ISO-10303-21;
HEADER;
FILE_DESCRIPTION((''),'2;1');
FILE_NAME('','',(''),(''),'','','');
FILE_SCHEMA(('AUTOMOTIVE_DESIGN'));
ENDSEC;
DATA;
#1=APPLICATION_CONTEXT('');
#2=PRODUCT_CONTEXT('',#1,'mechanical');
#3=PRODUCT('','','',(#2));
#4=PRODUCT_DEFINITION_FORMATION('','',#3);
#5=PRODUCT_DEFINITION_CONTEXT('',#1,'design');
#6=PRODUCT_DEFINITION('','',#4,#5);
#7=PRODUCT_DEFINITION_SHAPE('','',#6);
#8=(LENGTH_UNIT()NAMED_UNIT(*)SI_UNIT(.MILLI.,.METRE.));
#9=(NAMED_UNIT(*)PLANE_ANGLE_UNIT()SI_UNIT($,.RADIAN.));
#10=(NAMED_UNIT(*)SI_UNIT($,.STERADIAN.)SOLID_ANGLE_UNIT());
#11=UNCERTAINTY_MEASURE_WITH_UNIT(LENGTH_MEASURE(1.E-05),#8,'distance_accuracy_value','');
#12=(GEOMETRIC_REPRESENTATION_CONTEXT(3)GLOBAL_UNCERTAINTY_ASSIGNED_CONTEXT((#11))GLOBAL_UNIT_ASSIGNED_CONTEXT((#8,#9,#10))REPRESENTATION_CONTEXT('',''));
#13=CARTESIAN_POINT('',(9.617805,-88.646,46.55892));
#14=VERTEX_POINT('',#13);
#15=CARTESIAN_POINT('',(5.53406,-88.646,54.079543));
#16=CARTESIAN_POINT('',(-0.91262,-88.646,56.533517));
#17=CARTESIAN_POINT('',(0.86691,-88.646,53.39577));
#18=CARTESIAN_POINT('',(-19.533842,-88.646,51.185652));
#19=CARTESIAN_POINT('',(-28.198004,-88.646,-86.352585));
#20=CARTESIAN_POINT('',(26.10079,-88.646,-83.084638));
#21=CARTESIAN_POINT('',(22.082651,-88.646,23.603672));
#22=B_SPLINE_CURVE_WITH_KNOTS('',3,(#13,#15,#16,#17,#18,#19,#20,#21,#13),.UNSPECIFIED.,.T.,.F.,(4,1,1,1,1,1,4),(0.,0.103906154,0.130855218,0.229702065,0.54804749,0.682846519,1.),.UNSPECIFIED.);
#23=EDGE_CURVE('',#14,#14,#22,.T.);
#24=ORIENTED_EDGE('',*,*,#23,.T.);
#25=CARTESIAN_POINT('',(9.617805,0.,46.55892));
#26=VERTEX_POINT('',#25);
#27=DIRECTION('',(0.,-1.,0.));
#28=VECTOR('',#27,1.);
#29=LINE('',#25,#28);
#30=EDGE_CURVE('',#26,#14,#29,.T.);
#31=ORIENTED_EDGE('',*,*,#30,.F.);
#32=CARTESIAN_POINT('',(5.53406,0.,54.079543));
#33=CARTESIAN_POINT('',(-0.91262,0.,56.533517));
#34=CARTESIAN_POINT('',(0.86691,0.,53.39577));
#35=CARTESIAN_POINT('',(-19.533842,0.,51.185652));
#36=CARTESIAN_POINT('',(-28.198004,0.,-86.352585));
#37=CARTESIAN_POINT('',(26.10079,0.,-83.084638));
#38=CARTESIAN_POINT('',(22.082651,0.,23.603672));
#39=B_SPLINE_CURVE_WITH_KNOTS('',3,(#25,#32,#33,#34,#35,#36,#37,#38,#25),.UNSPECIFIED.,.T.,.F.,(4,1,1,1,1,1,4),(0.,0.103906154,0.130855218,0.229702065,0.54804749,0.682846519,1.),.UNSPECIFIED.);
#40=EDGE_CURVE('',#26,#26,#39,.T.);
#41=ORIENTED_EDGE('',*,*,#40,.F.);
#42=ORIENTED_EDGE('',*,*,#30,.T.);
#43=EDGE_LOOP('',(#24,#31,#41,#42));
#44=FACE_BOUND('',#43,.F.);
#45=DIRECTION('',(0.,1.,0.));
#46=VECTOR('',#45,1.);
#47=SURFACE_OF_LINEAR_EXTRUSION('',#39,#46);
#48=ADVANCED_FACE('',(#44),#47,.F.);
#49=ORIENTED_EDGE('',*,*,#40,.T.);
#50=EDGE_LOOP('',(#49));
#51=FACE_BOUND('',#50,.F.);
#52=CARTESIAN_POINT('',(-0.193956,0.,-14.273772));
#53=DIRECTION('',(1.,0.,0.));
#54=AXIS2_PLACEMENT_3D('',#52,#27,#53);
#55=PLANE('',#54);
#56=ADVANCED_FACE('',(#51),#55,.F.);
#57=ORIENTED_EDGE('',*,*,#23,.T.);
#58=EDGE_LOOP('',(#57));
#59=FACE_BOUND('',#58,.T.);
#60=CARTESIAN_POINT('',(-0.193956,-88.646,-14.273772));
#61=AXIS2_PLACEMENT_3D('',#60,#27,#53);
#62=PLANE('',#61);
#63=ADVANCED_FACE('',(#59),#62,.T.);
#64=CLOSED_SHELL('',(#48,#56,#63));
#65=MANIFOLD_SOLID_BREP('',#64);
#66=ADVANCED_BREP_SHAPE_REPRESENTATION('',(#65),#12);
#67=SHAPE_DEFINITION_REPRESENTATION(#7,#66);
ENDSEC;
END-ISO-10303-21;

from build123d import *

# Parameters (mm, degrees)
F1_DEPTH = 88.646


with BuildPart() as f1:
    # F0 (on Front) → F1 (new body)
    with BuildSketch(Plane.XZ):
        with BuildLine():
            add(Edge.make_bspline(
                [(9.617805481, 46.558920294), (5.5340596534, 54.0795425573), (-0.9126197891, 56.5335166328), (0.8669101051, 53.3957703489), (-19.533842178, 51.1856518834), (-28.1980036607, -86.3525848131), (26.1007895773, -83.0846384469), (22.0826514154, 23.6036723914), (9.617805481, 46.558920294)],
                knots=[0, 0, 0, 0, 0.1039061543, 0.1308552184, 0.2297020655, 0.5480474901, 0.682846519, 1, 1, 1, 1], degree=3))
        make_face()
    extrude(amount=F1_DEPTH)


solid = f1.part
